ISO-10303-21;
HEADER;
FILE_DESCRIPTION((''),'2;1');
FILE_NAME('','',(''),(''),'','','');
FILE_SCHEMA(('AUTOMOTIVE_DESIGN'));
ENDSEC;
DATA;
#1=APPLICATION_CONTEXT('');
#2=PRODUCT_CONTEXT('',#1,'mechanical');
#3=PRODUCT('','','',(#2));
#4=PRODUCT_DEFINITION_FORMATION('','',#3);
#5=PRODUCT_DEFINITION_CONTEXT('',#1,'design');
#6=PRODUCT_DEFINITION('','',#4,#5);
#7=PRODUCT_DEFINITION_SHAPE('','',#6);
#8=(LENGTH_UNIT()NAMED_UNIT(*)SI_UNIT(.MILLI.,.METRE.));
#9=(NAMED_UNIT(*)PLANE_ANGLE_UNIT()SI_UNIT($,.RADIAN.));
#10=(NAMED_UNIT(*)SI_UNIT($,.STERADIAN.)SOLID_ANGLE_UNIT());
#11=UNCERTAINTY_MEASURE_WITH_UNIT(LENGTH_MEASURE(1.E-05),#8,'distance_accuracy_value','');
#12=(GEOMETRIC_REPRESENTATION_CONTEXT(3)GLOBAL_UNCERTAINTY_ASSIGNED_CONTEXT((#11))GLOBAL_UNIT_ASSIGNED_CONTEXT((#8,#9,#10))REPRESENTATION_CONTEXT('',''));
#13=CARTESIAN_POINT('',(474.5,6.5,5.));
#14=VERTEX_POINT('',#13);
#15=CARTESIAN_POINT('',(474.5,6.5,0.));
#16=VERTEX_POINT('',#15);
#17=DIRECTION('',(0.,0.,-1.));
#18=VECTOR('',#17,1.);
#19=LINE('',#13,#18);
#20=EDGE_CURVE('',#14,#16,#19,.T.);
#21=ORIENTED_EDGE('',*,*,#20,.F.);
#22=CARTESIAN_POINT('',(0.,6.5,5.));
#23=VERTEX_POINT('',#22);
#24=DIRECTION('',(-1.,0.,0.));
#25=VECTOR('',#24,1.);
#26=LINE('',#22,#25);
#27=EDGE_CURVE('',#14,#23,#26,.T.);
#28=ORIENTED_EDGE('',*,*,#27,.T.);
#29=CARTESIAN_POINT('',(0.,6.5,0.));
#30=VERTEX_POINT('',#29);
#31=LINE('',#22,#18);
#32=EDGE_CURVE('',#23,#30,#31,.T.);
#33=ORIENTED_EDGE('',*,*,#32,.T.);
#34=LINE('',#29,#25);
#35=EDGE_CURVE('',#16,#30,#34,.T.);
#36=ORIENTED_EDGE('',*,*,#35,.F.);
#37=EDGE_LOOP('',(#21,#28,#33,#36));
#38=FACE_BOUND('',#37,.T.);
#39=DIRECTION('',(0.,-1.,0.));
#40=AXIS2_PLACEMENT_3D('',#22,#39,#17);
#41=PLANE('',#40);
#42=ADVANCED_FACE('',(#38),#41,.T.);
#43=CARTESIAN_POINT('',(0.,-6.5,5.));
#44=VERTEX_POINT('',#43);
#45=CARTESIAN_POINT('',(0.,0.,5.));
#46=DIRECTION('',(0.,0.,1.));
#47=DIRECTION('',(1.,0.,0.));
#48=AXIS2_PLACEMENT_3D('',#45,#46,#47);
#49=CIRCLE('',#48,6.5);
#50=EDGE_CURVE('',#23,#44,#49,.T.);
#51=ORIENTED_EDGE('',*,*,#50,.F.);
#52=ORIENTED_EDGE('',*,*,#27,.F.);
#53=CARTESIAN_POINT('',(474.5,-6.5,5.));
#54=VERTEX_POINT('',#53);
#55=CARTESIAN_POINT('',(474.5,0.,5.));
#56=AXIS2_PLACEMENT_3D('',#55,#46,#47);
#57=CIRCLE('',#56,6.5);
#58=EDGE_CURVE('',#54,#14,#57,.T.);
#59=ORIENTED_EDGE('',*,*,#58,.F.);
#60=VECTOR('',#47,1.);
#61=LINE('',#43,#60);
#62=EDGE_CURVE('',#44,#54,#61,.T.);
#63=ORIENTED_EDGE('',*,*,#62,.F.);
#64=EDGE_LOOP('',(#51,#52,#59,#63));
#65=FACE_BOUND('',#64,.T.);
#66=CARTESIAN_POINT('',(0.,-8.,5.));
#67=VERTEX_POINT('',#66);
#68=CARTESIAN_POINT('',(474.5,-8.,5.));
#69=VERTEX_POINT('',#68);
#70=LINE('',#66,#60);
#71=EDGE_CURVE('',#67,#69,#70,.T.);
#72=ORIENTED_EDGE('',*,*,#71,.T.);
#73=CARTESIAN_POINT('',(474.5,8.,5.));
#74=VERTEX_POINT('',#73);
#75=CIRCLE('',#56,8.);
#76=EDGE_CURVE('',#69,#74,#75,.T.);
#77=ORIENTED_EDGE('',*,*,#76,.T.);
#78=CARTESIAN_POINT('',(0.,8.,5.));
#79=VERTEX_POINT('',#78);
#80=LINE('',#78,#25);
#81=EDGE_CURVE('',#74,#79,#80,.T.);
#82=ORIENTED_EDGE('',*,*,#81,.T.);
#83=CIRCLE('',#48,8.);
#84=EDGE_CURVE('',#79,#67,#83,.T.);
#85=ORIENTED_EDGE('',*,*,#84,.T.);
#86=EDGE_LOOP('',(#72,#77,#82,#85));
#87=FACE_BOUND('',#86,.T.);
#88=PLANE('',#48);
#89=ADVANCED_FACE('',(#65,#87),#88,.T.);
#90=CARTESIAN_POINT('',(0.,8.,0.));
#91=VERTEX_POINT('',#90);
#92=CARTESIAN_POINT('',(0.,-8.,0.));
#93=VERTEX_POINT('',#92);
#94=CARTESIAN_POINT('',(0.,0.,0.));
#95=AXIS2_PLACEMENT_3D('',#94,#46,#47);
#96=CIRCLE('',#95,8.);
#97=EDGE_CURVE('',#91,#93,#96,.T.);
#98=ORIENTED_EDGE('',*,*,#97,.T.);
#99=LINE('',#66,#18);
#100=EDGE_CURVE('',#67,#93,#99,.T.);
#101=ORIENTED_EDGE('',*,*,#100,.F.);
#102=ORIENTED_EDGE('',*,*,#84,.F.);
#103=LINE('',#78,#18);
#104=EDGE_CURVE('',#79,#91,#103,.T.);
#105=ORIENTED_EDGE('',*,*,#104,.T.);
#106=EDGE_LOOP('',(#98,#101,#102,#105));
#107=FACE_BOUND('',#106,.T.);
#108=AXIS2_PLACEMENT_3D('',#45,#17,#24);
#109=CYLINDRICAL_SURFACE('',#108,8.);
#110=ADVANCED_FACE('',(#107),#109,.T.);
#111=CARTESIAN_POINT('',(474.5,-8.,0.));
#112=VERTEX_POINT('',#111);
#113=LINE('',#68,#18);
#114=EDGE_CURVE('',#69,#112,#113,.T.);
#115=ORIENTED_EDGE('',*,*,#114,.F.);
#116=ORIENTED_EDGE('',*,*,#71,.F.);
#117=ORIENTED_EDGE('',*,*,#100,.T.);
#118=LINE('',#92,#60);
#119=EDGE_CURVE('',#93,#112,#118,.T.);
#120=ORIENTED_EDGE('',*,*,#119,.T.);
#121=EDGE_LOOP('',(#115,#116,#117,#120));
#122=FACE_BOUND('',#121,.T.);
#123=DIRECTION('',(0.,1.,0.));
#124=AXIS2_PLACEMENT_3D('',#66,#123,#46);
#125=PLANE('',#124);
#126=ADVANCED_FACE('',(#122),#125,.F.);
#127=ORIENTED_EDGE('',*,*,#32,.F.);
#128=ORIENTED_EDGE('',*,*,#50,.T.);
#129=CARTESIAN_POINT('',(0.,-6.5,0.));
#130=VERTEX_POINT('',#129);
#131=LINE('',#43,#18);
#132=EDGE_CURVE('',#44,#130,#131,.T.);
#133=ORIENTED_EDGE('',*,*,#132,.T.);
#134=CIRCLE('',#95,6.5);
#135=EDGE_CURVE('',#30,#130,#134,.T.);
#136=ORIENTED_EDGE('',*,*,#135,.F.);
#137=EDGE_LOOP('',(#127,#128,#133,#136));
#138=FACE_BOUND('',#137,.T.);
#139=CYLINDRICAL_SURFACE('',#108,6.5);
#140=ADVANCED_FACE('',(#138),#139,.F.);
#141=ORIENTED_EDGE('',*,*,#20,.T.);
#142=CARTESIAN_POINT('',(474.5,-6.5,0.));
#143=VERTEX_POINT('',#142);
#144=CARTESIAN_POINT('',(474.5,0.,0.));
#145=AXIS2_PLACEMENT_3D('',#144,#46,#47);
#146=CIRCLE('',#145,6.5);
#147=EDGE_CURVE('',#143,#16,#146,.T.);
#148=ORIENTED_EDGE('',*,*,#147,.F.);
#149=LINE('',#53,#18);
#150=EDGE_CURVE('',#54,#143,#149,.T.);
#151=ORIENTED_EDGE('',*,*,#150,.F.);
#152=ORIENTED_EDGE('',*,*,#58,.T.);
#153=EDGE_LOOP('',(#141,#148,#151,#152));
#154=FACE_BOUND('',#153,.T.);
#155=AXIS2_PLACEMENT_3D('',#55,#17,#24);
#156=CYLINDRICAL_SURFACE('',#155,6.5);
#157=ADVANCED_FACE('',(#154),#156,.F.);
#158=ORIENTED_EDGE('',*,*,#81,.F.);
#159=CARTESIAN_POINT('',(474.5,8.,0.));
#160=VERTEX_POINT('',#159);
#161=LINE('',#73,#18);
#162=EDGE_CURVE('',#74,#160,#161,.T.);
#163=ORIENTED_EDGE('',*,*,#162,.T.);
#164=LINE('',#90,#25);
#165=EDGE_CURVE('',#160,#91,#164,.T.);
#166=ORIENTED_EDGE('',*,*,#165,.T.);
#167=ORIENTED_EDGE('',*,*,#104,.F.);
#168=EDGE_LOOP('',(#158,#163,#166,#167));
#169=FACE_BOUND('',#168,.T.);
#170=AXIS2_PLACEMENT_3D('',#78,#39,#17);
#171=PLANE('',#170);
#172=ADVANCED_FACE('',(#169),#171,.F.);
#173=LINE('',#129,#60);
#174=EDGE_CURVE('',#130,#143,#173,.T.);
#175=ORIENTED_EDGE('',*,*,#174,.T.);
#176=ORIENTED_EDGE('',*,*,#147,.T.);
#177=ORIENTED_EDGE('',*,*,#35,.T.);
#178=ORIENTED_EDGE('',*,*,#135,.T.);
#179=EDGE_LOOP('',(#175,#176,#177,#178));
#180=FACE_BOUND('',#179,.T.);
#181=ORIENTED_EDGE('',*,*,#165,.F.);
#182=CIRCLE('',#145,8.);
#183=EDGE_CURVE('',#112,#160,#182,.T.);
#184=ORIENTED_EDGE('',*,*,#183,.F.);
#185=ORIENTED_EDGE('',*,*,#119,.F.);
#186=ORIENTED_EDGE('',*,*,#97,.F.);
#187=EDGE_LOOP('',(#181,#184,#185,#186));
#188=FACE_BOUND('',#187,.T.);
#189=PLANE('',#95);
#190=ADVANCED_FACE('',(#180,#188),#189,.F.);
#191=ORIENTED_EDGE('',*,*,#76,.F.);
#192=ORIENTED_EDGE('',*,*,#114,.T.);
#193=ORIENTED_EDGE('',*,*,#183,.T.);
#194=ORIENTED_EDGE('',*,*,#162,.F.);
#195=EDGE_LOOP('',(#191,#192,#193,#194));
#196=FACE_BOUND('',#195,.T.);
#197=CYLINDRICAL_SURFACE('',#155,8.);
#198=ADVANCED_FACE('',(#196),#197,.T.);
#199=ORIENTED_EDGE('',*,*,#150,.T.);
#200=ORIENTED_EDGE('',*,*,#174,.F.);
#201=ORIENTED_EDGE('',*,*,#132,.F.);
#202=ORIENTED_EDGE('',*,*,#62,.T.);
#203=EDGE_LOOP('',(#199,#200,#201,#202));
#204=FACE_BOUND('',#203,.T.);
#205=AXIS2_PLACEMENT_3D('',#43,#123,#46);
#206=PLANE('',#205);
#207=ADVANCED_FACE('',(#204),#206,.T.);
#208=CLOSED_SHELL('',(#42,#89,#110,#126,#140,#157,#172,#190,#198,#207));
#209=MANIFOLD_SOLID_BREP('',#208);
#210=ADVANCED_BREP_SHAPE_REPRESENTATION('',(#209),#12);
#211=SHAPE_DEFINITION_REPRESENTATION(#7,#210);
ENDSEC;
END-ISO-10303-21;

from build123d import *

# Parameters (mm, degrees)
BOSS_EXTRUDE1_DEPTH = 5


with BuildPart() as part:
    # Sketch1 → Boss-Extrude1 (new body)
    with BuildSketch(Plane.XY):
        with BuildLine():
            Line((0, 8), (474.5, 8))
            ThreePointArc((474.5, 8), (482.5, 0), (474.5, -8))
            Line((474.5, -8), (0, -8))
            ThreePointArc((0, -8), (-8, 0), (0, 8))
        make_face()
        with BuildLine():
            Line((0, 6.5), (474.5, 6.5))
            ThreePointArc((474.5, 6.5), (481, 0), (474.5, -6.5))
            Line((474.5, -6.5), (0, -6.5))
            ThreePointArc((0, -6.5), (-6.5, 0), (0, 6.5))
        make_face(mode=Mode.SUBTRACT)
    extrude(amount=BOSS_EXTRUDE1_DEPTH)


solid = part.part
